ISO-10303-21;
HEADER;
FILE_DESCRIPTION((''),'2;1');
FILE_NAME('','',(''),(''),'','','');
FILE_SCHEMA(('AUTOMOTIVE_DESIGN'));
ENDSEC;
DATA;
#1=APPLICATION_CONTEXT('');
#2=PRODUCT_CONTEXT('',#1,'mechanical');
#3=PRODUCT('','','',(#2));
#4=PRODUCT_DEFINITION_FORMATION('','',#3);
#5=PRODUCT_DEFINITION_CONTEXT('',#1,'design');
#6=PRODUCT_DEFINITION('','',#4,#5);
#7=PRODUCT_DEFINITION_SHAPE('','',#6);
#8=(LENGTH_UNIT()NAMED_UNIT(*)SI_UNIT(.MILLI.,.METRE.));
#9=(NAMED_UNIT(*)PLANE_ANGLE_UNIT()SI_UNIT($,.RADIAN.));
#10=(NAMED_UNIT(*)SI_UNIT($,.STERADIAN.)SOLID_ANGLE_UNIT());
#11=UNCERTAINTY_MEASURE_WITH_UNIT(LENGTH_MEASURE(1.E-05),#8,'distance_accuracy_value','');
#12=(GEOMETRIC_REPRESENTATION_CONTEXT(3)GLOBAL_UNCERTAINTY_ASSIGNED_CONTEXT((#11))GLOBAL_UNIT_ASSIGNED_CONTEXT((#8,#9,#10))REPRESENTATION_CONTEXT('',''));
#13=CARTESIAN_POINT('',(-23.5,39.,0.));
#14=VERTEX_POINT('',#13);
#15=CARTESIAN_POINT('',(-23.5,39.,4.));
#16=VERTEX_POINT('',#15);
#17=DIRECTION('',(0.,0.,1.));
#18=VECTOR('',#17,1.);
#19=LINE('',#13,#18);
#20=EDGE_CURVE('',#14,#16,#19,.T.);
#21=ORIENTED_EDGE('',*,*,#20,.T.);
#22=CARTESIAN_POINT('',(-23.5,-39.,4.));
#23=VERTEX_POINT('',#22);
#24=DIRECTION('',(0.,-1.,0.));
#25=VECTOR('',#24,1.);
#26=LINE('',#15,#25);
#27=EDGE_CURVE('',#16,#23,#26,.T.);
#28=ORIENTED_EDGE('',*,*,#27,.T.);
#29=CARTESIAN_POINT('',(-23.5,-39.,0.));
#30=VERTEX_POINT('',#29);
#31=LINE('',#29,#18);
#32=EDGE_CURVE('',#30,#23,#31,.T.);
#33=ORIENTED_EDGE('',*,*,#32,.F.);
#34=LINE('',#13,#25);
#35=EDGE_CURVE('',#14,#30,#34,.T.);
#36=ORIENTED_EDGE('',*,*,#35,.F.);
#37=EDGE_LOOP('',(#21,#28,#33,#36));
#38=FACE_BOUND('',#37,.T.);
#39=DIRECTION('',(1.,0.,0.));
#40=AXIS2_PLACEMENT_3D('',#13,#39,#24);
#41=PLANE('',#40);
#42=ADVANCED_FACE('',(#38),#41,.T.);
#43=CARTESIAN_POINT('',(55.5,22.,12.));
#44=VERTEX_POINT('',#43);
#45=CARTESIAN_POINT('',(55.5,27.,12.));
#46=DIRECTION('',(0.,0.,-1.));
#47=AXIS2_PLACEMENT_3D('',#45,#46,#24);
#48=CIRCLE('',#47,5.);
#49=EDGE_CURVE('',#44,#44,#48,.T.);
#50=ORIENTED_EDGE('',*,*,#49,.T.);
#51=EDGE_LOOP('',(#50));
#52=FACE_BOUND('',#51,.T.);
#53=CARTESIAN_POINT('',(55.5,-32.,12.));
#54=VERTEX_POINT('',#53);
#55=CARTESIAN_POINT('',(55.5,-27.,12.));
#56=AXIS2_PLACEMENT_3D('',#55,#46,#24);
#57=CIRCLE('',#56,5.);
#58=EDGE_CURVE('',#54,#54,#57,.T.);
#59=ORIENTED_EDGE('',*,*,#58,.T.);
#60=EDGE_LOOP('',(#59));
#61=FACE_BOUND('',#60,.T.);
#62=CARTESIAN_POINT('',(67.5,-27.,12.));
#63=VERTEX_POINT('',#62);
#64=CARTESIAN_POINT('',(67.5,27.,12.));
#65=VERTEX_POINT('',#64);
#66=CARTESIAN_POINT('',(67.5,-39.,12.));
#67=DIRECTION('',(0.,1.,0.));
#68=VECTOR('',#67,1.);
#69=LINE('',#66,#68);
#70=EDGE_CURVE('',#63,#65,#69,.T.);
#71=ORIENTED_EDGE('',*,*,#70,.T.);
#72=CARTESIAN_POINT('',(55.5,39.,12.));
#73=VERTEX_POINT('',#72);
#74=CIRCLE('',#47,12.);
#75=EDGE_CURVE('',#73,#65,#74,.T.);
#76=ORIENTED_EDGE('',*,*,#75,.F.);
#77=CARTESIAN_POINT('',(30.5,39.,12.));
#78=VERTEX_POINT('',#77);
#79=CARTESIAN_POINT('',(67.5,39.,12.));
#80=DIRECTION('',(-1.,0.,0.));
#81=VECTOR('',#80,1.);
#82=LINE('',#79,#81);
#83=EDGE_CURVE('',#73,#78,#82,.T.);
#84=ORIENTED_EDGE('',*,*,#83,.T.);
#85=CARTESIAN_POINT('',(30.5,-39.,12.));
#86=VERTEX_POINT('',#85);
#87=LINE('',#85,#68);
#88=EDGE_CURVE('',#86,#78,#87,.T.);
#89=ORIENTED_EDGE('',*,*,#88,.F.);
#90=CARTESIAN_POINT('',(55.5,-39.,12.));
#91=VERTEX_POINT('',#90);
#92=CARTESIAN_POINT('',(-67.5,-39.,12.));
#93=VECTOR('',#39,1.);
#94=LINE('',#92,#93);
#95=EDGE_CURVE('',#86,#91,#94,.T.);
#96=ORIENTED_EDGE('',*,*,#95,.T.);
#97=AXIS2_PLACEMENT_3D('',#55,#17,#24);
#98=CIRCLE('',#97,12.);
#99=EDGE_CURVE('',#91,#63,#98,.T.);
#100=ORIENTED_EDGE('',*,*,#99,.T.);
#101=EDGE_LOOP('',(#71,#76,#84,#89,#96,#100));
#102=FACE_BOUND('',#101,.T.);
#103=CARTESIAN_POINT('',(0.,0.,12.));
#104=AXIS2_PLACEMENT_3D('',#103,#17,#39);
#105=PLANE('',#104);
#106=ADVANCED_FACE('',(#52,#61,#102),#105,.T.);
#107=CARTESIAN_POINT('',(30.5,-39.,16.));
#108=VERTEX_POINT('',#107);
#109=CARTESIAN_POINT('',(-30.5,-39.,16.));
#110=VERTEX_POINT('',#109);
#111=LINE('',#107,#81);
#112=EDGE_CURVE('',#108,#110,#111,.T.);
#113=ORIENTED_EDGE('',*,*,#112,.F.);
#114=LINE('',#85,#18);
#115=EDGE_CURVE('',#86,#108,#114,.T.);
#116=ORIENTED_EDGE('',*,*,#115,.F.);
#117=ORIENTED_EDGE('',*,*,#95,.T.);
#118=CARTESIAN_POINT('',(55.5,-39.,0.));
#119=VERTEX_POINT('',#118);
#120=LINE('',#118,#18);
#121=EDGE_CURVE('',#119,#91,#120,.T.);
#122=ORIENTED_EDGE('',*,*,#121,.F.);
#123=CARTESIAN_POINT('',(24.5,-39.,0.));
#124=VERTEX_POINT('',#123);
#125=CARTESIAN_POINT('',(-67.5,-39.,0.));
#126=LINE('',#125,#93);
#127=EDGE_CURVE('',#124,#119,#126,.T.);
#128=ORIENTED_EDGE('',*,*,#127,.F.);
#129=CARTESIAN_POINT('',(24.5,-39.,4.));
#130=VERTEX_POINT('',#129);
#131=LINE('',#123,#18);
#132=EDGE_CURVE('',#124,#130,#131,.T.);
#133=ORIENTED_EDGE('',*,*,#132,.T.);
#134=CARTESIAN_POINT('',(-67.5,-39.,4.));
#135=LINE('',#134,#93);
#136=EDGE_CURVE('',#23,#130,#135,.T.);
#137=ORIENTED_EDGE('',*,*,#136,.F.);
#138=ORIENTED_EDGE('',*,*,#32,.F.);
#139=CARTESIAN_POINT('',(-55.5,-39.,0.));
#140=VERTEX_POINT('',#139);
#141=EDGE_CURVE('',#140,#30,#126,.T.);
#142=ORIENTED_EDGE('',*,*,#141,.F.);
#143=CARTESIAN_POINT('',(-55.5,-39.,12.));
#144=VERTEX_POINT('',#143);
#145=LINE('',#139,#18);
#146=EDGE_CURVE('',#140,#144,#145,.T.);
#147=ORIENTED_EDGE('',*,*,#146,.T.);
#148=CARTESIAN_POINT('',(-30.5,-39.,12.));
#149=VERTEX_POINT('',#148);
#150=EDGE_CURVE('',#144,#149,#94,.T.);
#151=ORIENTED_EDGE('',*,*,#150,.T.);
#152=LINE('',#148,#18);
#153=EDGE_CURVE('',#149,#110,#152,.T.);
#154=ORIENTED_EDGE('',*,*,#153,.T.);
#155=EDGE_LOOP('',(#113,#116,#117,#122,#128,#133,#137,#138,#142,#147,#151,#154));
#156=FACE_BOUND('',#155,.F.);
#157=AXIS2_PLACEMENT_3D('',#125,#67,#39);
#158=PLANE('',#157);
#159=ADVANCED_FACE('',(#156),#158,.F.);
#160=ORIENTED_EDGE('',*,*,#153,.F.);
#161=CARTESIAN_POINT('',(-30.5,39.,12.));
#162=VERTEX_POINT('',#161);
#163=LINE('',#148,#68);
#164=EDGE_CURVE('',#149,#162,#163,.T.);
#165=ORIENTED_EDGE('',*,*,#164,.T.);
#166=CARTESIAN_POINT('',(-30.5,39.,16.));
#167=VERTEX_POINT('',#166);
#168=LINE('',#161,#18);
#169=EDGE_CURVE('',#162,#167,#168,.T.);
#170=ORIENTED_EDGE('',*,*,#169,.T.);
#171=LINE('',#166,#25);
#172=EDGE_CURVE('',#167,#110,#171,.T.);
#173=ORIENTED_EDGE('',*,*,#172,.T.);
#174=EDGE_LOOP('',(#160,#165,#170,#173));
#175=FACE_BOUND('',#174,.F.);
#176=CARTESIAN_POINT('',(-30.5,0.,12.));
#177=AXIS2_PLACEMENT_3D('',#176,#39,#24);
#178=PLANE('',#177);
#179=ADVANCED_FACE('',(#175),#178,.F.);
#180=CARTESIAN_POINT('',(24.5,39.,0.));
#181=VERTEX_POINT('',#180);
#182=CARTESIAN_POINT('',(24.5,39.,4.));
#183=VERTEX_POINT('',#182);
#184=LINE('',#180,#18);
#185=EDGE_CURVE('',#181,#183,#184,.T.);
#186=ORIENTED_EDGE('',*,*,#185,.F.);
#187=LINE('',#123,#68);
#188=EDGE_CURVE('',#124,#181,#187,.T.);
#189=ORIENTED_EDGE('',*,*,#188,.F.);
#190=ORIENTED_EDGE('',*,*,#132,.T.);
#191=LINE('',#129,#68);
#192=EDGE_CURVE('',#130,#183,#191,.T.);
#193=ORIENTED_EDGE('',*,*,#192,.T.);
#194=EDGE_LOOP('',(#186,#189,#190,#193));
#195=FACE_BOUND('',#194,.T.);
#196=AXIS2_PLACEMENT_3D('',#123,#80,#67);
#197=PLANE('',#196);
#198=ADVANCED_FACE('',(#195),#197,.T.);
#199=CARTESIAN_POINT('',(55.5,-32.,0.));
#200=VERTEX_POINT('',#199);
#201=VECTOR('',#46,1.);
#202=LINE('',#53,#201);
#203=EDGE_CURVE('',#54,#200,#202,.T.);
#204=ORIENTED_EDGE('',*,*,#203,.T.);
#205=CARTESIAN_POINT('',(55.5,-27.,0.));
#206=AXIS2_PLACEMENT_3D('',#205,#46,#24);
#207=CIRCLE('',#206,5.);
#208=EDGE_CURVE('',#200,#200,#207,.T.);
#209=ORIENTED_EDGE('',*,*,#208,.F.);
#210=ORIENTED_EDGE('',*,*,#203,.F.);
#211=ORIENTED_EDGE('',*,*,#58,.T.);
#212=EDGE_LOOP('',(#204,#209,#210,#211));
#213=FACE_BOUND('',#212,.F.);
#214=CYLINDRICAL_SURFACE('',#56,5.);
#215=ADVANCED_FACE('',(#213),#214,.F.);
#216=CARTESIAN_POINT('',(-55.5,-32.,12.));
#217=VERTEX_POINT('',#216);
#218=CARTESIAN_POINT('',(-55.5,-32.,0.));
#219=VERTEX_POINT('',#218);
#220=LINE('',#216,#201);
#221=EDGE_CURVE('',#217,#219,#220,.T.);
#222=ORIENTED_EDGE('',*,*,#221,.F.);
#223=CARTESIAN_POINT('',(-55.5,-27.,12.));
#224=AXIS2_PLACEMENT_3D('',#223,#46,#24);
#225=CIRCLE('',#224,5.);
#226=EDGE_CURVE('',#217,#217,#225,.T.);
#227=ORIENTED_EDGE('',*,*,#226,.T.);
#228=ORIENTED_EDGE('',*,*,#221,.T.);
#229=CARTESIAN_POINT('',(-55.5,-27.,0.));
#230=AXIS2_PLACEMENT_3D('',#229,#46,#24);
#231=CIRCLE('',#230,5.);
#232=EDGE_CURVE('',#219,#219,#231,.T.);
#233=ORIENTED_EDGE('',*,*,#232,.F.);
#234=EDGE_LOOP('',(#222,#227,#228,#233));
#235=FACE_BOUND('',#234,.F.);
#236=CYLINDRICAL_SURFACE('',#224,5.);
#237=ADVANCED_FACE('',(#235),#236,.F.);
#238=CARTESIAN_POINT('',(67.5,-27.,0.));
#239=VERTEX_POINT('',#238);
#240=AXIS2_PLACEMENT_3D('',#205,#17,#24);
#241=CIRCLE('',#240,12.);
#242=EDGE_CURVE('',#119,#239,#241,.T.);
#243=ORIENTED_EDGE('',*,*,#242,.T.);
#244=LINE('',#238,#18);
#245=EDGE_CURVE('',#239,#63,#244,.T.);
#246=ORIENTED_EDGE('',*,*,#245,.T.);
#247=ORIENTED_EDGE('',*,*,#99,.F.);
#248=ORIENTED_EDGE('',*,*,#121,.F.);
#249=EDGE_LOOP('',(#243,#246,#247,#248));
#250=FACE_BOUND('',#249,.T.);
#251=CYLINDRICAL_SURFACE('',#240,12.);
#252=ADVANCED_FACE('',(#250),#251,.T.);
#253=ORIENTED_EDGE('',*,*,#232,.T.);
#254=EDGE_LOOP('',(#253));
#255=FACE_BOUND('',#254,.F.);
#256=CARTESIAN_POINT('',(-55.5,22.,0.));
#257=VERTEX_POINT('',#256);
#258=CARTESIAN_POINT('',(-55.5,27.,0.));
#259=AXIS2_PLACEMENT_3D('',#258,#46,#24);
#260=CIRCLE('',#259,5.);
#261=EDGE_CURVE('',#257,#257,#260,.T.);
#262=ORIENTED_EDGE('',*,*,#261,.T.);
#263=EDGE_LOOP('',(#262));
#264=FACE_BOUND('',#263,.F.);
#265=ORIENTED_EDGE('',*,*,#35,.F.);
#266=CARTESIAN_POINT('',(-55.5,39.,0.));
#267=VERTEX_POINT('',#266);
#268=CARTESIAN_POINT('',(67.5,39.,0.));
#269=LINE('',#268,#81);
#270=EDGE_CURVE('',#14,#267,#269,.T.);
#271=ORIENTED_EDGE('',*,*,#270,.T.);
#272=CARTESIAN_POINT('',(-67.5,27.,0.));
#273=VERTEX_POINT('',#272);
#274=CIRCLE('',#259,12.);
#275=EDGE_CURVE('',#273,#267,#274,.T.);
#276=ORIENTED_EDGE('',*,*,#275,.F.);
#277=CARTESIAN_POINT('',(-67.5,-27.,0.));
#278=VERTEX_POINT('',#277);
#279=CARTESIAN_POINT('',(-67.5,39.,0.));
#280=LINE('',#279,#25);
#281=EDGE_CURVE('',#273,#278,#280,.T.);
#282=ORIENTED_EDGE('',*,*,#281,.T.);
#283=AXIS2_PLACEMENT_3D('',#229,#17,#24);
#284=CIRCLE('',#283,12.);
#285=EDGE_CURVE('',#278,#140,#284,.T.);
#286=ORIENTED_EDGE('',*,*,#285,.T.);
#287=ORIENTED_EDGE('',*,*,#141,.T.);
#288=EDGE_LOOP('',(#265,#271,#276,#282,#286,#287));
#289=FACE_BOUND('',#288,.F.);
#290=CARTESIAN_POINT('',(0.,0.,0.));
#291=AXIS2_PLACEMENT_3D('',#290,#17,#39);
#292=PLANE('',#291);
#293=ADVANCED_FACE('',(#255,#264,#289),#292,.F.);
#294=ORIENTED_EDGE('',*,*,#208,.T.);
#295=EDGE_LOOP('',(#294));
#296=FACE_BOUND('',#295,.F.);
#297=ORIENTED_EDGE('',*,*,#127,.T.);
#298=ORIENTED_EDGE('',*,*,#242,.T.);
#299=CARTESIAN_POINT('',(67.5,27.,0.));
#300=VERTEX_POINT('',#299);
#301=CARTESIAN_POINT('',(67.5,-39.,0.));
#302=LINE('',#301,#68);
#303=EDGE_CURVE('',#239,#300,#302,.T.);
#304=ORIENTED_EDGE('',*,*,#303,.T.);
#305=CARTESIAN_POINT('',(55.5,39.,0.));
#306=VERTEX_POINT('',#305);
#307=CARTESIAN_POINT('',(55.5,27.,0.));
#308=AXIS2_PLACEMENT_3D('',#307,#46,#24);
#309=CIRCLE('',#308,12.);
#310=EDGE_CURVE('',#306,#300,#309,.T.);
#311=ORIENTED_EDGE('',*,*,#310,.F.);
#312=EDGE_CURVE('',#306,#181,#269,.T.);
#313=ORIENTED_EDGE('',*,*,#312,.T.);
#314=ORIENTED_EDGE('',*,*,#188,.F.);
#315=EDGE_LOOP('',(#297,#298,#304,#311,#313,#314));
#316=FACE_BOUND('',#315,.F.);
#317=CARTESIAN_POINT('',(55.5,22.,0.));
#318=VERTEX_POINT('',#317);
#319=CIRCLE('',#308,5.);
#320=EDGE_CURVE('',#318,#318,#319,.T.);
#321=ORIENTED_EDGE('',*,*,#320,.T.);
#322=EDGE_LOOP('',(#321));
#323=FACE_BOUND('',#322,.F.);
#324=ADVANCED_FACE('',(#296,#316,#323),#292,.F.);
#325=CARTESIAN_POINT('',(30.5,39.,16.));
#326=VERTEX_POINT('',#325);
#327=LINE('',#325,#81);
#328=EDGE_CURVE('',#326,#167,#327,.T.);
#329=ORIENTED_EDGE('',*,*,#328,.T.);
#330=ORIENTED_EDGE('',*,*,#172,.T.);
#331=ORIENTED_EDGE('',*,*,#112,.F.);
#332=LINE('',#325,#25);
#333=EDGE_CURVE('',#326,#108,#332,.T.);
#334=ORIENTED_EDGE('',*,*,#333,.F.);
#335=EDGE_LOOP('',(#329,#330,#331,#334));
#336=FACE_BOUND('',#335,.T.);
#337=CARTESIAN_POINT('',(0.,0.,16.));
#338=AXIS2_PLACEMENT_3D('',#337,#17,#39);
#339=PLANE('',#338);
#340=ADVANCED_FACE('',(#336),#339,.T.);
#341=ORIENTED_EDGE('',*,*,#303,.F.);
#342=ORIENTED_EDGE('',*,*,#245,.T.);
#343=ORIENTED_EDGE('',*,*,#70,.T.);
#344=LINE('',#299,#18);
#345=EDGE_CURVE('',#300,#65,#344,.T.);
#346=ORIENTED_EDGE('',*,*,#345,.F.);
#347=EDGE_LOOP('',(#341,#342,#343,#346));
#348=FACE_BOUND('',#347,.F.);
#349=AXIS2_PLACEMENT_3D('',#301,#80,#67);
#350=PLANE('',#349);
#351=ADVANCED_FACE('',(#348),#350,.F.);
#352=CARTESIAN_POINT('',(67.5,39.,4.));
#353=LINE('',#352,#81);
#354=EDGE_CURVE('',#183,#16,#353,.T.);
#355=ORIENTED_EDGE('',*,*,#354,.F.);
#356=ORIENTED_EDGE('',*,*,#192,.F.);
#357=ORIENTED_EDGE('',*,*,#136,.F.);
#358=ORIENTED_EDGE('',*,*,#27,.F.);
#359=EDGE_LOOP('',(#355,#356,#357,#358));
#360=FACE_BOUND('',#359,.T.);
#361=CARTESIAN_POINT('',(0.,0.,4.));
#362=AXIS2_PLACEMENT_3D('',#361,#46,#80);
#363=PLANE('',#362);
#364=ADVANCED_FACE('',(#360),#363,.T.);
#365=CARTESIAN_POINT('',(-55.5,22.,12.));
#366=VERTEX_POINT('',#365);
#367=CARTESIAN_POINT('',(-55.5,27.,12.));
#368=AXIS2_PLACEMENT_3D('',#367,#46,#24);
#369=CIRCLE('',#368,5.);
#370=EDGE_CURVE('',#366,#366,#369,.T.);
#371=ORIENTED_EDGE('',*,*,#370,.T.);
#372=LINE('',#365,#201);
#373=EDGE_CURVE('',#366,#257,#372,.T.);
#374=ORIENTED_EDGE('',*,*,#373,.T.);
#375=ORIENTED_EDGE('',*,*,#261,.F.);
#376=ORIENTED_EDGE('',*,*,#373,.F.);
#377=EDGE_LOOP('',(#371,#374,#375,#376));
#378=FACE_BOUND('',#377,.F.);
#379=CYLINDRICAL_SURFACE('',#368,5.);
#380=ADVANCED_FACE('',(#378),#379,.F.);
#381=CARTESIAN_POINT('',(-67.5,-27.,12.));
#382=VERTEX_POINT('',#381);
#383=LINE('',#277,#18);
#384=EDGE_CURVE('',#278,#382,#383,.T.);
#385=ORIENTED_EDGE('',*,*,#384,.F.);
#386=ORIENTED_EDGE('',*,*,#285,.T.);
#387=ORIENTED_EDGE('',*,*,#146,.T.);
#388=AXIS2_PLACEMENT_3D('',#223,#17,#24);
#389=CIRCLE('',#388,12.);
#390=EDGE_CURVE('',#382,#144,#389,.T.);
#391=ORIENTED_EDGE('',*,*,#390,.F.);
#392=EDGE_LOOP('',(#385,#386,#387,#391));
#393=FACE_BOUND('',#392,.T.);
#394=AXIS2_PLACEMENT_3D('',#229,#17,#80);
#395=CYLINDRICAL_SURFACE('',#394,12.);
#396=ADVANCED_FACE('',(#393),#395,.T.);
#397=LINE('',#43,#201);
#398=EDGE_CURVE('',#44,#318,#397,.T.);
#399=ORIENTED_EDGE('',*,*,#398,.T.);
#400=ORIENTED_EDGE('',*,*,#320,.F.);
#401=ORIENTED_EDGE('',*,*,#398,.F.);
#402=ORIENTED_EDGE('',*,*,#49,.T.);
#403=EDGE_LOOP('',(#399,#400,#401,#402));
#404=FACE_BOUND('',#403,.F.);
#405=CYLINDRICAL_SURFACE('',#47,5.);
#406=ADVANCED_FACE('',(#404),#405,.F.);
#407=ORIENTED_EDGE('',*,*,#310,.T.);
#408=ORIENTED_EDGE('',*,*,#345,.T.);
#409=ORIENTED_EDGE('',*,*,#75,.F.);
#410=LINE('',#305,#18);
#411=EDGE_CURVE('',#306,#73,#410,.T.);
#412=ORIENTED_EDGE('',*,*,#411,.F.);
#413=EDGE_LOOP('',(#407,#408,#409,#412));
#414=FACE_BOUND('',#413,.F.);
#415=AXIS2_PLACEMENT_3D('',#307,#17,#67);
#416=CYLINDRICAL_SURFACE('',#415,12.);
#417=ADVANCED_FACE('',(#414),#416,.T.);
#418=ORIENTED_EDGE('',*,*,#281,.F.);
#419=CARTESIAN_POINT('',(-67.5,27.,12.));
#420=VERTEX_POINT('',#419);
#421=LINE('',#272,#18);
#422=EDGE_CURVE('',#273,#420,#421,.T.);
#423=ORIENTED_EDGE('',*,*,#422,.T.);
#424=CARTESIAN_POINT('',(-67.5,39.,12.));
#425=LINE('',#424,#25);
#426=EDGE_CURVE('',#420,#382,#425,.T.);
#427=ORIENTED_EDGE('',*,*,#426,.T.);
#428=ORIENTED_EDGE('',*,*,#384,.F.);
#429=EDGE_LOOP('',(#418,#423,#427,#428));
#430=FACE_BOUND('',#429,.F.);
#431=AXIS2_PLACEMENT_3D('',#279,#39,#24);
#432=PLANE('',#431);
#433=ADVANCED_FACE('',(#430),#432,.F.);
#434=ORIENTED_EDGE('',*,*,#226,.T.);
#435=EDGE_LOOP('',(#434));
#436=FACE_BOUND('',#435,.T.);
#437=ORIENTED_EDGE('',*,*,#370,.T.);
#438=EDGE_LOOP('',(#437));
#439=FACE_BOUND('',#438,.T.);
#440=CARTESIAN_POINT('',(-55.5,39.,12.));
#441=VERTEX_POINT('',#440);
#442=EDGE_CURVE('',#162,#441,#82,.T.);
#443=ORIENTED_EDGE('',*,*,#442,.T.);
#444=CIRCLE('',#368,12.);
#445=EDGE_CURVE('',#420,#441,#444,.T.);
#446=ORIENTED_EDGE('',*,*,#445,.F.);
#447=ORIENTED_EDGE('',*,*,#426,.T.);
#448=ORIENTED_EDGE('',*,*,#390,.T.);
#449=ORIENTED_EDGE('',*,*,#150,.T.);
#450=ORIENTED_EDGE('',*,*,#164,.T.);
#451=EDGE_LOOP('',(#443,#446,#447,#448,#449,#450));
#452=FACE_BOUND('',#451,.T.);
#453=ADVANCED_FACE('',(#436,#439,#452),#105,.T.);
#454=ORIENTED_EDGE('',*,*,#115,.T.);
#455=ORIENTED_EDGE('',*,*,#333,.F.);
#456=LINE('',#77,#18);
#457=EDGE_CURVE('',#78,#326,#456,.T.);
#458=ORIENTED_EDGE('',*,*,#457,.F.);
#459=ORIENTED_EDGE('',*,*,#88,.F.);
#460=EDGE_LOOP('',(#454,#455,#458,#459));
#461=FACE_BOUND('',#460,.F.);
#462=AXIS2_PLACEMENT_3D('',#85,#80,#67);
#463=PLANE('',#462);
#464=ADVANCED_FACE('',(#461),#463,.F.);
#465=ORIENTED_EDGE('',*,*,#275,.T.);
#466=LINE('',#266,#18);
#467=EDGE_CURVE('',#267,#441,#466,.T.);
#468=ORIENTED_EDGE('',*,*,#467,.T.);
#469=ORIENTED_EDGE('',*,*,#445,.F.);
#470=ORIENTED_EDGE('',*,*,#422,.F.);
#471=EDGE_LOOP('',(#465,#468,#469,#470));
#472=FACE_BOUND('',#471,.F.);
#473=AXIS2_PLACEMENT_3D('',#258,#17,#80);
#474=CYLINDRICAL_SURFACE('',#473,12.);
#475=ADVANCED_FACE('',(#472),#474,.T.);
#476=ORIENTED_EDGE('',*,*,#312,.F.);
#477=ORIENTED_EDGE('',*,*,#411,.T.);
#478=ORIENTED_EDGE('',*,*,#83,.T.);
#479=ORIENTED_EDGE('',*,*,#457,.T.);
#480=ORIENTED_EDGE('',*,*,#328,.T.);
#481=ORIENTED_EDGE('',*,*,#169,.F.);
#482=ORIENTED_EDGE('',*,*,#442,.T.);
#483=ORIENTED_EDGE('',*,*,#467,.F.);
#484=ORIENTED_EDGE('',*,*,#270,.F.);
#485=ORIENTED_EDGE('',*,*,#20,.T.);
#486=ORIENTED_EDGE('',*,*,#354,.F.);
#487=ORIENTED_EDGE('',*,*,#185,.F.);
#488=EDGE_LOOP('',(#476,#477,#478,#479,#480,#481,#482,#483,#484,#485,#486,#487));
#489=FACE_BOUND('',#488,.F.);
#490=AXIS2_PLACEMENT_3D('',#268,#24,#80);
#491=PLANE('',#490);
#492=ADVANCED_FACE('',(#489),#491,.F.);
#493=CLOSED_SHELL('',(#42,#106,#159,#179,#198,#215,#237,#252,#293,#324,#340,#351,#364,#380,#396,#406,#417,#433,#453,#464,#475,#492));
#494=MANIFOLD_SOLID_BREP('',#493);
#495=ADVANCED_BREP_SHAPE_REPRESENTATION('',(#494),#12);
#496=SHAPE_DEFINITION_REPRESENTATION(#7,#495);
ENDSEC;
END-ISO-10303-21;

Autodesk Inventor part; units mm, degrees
ref_plane "YZ Plane" through (0, 0, 0) normal (1, 0, 0) x (0, 1, 0)
ref_plane "XZ Plane" through (0, 0, 0) normal (0, 1, 0) x (-1, 0, 0)
sketch "Sketch1" plane through (0, 0, 0) normal (0, 0, 1) x (1, 0, 0)
  line L0 (-67.5, -39) -> (67.5, -39)
  line L1 (67.5, -39) -> (67.5, 39)
  line L2 (67.5, 39) -> (-67.5, 39)
  line L3 (-67.5, 39) -> (-67.5, -39)
  point P0 (0, 0)
  point P1 (-67.5, 0)
  point P2 (0, 39)
  dimension "d0" = 78
  dimension "d1" = 135
extrude "Extrusion1" add sketch "Sketch1" along normal blind 12
sketch "Sketch2" plane through (0, 0, 12) normal (0, 0, 1) x (1, 0, 0)
  line L0 (67.5, -39) -> (-67.5, -39) projected
  line L1 (-67.5, 39) -> (67.5, 39) projected
  line L2 (-30.5, -39) -> (30.5, -39)
  line L3 (30.5, -39) -> (30.5, 39)
  line L4 (30.5, 39) -> (-30.5, 39)
  line L5 (-30.5, 39) -> (-30.5, -39)
  line L6 (0, 54.6) -> (0, -54.6) projected
  line L7 (-95.2, 0) -> (95.2, 0) projected
  dimension "d4" = 61
extrude "Extrusion2" add sketch "Sketch2" along normal blind 4
sketch "Sketch3" plane through (0, 0, 0) normal (0, 0, -1) x (-1, 0, 0)
  line L0 (67.5, -39) -> (-67.5, -39) projected
  line L1 (67.5, 39) -> (67.5, -39) projected
  line L2 (-67.5, 39) -> (67.5, 39) projected
  line L3 (23.5, -39) -> (-24.5, -39)
  line L4 (-24.5, -39) -> (-24.5, 39)
  line L5 (-24.5, 39) -> (23.5, 39)
  line L6 (23.5, 39) -> (23.5, -39)
  dimension "d8" = 48
  dimension "d9" = 44
extrude "Extrusion3" cut sketch "Sketch3" against normal blind 4 contours L0 L4 L2 L6
sketch "Sketch4" plane through (0, 0, 12) normal (0, 0, 1) x (1, 0, 0)
  line L0 (67.5, 39) -> (67.5, -39) projected
  line L1 (30.5, 39) -> (67.5, 39) projected
  line L2 (67.5, 0) -> (0.1063, 0) construction
  line L3 (-30.5, -39) -> (-30.5, 39) projected
  line L4 (30.5, -39) -> (-30.5, -39) projected
  line L5 (30.5, 39) -> (30.5, -39) projected
  line L6 (-30.5, 39) -> (30.5, 39) projected
  line L7 (-30.5, -39) -> (-30.5, 39) projected
  line L8 (-67.5, 39) -> (-30.5, 39) projected
  line L9 (-67.5, -39) -> (-67.5, 39) projected
  line L10 (-30.5, -39) -> (-67.5, -39) projected
  line L11 (0, 39) -> (0, 3.4704) construction
  point P0 (55.5, 27)
  point P1 (-55.5, 27)
  point P2 (-55.5, -27)
  point P3 (55.5, -27)
  dimension "d12" = 111
  dimension "d13" = 54
hole "Hole1" at (55.5, 27, 12) at (-55.5, 27, 12) at (-55.5, -27, 12) at (55.5, -27, 12) direction (0, 0, -1) diameter 10 depth 12
fillet "Fillet1" radius 12 4 edges at (67.5, 39, 6) (67.5, -39, 6) (-67.5, 39, 6) (-67.5, -39, 6)
ref_plane "Midplane" through (0, -39, 16) normal (1, 0, 0) x (0, 0, -1)
properties part number "Base Plate" material "Carbon Steel"
